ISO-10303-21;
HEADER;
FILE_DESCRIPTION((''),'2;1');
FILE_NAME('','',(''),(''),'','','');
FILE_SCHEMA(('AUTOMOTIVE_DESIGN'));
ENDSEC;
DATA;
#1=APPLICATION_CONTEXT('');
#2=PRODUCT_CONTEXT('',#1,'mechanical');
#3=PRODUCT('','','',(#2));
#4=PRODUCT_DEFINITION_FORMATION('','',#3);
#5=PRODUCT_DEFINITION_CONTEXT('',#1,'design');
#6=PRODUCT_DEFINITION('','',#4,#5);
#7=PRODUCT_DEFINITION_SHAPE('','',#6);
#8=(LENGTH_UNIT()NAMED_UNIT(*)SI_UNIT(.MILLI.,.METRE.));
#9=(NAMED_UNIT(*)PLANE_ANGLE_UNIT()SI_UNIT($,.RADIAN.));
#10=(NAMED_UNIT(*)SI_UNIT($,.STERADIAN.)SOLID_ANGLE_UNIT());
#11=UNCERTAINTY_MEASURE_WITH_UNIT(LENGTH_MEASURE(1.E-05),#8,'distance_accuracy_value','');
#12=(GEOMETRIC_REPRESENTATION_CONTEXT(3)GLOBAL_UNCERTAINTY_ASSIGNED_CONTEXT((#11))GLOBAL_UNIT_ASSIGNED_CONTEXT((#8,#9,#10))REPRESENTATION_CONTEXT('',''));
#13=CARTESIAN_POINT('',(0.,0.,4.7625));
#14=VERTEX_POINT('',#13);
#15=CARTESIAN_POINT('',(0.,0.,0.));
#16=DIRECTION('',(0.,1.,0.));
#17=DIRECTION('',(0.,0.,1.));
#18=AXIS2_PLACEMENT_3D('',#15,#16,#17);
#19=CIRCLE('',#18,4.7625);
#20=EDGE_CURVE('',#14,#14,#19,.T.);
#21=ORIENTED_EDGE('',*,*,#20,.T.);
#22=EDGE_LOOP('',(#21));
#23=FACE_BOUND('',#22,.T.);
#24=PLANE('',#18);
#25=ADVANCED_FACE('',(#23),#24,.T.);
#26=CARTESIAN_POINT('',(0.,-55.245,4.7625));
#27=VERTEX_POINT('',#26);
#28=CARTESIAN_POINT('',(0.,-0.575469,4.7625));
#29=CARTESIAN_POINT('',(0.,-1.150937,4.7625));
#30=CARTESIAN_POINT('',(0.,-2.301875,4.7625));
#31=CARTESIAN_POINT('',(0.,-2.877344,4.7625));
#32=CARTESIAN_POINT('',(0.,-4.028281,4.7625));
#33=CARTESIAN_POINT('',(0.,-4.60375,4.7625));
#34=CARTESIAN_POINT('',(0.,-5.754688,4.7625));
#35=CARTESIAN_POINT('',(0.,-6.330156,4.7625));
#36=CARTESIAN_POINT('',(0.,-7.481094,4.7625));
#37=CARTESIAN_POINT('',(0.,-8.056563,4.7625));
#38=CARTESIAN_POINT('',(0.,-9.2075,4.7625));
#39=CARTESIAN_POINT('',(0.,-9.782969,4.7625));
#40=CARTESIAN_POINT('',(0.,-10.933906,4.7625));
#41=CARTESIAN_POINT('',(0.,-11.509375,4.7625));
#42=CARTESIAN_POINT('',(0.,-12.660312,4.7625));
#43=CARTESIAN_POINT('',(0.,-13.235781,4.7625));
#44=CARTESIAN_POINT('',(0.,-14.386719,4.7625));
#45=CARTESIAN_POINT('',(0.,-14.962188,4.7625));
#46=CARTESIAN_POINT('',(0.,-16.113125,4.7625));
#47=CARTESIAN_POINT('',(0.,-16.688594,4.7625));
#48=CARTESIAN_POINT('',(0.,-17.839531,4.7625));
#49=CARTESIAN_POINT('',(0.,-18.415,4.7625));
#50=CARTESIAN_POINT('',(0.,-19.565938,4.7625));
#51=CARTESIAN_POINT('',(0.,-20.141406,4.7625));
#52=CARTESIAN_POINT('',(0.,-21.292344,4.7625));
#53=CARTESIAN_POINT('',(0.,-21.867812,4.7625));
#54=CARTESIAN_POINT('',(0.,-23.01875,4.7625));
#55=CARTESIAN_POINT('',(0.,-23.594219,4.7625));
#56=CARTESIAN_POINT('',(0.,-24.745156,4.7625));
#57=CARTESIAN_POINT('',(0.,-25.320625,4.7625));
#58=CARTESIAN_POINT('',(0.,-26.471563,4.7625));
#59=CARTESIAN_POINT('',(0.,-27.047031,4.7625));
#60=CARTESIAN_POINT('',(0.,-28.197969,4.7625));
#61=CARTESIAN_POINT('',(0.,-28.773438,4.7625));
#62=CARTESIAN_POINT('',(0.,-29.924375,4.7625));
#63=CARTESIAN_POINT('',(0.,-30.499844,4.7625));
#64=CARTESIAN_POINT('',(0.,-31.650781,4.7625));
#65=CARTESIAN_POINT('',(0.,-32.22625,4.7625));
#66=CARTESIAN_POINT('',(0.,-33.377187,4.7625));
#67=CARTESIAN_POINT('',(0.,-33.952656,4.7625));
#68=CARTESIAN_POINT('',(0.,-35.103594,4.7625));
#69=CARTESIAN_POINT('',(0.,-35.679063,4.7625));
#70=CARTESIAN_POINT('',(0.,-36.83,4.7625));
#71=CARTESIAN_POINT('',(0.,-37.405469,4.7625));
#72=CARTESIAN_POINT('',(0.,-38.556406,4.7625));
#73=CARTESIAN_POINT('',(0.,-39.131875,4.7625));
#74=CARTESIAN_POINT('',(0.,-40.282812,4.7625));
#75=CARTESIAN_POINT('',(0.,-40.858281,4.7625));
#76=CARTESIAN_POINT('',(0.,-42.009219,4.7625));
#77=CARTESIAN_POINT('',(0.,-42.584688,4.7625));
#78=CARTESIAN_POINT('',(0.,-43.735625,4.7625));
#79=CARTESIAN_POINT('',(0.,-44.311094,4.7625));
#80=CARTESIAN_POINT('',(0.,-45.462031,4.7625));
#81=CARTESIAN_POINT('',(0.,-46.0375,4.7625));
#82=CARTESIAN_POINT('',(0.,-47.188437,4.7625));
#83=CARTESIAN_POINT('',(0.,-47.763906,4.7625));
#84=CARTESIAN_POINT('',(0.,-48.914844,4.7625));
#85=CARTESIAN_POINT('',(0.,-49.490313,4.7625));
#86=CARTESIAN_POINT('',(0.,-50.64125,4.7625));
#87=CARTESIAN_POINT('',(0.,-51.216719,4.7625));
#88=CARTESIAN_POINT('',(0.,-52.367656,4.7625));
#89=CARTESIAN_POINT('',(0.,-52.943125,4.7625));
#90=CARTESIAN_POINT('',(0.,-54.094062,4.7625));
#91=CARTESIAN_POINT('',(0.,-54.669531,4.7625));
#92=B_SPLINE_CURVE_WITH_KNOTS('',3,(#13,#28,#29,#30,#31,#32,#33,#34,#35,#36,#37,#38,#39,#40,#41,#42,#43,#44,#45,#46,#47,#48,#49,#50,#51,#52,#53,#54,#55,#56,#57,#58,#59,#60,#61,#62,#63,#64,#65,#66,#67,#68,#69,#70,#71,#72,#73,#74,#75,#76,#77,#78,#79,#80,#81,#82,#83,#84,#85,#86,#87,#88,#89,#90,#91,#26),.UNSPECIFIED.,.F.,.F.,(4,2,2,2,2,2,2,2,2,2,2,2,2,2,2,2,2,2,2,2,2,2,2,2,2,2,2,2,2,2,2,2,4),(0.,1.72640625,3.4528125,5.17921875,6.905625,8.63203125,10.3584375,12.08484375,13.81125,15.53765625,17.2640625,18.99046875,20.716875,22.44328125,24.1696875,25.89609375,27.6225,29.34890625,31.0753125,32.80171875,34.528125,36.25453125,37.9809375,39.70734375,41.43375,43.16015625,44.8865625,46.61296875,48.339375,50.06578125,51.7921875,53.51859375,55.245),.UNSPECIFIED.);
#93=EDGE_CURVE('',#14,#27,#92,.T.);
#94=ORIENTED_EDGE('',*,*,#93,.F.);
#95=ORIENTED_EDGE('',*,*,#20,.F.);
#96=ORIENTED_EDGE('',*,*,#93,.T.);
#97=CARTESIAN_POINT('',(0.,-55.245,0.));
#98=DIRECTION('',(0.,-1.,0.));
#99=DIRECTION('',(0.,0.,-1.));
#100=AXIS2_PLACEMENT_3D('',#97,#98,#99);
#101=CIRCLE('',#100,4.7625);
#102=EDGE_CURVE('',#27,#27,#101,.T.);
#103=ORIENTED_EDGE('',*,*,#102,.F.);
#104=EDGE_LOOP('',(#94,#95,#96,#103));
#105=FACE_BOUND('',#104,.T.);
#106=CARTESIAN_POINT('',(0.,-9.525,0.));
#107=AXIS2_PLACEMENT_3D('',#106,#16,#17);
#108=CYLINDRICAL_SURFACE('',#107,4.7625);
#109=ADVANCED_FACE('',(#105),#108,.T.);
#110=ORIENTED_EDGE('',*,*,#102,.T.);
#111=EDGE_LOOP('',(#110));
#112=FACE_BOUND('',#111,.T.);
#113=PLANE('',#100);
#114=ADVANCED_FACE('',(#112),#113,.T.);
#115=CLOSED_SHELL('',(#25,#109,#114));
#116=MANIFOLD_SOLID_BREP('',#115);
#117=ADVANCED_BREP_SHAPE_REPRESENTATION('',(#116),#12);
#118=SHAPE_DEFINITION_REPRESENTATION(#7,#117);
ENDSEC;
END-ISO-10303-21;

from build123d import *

# Parameters (mm, degrees)
SKETCH1_R           = 4.7625
BOSS_EXTRUDE1_DEPTH = 9.525
SKETCH2_R           = 4.7625
BOSS_EXTRUDE2_DEPTH = 45.72


with BuildPart() as part:
    # Sketch1 → Boss-Extrude1 (new body)
    with BuildSketch(Plane(origin=(0, 0, 0), x_dir=(1, 0, 0), z_dir=(0, 1, 0))):
        with Locations(Location((0, 0, 0), (0, 0, 270))):
            Circle(SKETCH1_R)
    extrude(amount=-BOSS_EXTRUDE1_DEPTH)

    # Sketch2 → Boss-Extrude2 (add)
    with BuildSketch(Plane(origin=(0, -9.525, 0), x_dir=(-1, 0, 0), z_dir=(0, -1, 0))):
        with Locations(Location((0, 0, 0), (0, 0, 270))):
            Circle(SKETCH2_R)
    extrude(amount=BOSS_EXTRUDE2_DEPTH)


solid = part.part
